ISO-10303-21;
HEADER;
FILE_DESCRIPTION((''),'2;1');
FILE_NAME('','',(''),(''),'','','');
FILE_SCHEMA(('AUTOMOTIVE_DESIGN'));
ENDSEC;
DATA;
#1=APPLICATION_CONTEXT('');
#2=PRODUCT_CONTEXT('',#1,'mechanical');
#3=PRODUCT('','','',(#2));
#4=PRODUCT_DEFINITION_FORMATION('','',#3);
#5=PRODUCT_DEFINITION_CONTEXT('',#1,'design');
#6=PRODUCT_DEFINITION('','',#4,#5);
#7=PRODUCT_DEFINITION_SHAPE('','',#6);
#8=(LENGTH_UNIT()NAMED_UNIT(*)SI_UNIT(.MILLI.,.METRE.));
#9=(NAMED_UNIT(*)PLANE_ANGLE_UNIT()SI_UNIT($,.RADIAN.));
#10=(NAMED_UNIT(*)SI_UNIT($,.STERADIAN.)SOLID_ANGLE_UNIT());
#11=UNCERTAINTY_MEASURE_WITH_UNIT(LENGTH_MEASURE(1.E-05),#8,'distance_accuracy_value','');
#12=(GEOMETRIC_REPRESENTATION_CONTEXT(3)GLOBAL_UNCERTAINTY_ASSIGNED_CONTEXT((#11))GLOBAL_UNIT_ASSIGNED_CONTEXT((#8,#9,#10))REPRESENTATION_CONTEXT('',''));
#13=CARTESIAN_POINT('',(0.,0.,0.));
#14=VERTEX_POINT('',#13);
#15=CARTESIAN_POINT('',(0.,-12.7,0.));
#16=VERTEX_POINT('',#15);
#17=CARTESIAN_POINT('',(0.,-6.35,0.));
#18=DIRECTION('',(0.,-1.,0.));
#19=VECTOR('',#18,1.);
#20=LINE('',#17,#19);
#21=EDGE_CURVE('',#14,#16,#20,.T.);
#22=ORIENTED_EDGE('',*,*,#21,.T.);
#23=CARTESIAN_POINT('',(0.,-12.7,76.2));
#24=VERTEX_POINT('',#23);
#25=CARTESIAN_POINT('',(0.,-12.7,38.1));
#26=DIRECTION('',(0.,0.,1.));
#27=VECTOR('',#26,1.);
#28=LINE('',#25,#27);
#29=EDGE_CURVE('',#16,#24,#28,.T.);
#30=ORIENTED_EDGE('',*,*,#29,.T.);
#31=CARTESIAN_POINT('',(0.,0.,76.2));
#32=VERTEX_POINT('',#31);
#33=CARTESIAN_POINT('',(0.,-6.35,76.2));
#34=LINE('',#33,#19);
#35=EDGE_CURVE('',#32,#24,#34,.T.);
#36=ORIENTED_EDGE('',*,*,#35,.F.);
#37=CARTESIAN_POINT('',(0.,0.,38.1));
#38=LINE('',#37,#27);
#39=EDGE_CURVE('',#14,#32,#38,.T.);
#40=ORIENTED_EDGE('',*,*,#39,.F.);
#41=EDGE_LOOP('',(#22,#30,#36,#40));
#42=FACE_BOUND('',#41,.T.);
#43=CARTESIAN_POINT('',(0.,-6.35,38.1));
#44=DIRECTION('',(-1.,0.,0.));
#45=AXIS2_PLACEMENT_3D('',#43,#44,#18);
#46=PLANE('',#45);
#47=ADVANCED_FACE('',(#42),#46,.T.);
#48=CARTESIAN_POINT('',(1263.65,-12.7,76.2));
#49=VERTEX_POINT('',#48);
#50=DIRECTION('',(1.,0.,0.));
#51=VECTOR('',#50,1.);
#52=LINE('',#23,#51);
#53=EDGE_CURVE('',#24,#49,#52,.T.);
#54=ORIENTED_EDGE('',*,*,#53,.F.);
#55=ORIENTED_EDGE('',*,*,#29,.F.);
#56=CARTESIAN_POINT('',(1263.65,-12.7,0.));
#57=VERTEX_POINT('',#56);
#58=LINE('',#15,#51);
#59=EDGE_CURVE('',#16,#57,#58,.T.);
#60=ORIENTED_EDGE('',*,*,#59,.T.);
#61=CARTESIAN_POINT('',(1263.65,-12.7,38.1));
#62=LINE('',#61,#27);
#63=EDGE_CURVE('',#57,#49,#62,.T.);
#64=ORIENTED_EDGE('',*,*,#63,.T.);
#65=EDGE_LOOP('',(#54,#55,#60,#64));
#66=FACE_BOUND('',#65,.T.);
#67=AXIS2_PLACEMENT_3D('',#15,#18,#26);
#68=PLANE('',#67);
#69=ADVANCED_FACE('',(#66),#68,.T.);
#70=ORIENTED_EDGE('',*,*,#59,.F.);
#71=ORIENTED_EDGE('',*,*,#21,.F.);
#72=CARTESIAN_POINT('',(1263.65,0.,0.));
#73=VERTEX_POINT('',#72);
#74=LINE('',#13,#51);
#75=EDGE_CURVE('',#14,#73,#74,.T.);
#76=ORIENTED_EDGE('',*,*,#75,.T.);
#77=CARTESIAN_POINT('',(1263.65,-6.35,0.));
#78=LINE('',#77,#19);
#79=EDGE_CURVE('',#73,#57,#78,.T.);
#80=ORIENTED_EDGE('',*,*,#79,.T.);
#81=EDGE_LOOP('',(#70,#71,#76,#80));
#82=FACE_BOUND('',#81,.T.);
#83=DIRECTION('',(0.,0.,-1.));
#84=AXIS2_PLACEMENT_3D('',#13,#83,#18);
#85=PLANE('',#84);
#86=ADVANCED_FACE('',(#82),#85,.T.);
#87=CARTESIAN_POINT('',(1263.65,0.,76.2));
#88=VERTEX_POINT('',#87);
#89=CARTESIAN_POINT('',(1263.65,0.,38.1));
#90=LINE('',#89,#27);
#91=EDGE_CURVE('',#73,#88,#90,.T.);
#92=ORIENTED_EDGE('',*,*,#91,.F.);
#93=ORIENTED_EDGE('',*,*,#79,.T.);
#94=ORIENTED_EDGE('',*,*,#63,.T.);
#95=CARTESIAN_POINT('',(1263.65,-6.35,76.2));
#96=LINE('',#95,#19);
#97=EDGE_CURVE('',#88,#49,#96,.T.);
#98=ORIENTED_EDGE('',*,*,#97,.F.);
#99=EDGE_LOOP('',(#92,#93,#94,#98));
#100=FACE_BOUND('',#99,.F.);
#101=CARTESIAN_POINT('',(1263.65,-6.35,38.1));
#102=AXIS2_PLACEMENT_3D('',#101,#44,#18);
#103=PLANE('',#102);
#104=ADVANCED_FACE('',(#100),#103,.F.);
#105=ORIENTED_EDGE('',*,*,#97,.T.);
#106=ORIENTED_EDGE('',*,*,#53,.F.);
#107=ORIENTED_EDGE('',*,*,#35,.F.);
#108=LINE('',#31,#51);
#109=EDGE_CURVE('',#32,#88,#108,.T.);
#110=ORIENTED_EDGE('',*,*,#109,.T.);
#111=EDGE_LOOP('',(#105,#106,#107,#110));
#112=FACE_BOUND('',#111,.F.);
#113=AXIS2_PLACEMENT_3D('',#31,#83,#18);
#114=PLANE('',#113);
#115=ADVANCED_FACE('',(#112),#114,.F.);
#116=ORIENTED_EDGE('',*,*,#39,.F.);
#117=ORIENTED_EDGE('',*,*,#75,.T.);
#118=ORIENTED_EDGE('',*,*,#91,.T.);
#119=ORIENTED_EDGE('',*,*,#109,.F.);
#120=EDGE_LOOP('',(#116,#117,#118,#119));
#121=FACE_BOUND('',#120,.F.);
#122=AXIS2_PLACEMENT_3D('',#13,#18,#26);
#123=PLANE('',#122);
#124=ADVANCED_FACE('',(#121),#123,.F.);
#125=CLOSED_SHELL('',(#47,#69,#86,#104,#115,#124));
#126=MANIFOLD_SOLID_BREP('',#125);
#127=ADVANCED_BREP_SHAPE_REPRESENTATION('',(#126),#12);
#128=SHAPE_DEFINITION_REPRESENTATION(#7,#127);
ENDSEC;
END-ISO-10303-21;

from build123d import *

# Parameters (mm, degrees)
F0_W     = 12.7
F0_H     = 76.2
F1_DEPTH = 1263.65
F2_ANGLE = 90


with BuildPart() as f1:
    # F0 (on Front) → F1 (new body)
    with BuildSketch(Plane.XZ):
        with Locations((6.35, 38.1)):
            Rectangle(F0_W, F0_H)
    extrude(amount=-F1_DEPTH)


with BuildPart() as f1_1:
    # F2: moved
    add(f1.part.rotate(Axis((0, 0, 38.1), (0, 0, -1)), F2_ANGLE))


solid = f1_1.part
